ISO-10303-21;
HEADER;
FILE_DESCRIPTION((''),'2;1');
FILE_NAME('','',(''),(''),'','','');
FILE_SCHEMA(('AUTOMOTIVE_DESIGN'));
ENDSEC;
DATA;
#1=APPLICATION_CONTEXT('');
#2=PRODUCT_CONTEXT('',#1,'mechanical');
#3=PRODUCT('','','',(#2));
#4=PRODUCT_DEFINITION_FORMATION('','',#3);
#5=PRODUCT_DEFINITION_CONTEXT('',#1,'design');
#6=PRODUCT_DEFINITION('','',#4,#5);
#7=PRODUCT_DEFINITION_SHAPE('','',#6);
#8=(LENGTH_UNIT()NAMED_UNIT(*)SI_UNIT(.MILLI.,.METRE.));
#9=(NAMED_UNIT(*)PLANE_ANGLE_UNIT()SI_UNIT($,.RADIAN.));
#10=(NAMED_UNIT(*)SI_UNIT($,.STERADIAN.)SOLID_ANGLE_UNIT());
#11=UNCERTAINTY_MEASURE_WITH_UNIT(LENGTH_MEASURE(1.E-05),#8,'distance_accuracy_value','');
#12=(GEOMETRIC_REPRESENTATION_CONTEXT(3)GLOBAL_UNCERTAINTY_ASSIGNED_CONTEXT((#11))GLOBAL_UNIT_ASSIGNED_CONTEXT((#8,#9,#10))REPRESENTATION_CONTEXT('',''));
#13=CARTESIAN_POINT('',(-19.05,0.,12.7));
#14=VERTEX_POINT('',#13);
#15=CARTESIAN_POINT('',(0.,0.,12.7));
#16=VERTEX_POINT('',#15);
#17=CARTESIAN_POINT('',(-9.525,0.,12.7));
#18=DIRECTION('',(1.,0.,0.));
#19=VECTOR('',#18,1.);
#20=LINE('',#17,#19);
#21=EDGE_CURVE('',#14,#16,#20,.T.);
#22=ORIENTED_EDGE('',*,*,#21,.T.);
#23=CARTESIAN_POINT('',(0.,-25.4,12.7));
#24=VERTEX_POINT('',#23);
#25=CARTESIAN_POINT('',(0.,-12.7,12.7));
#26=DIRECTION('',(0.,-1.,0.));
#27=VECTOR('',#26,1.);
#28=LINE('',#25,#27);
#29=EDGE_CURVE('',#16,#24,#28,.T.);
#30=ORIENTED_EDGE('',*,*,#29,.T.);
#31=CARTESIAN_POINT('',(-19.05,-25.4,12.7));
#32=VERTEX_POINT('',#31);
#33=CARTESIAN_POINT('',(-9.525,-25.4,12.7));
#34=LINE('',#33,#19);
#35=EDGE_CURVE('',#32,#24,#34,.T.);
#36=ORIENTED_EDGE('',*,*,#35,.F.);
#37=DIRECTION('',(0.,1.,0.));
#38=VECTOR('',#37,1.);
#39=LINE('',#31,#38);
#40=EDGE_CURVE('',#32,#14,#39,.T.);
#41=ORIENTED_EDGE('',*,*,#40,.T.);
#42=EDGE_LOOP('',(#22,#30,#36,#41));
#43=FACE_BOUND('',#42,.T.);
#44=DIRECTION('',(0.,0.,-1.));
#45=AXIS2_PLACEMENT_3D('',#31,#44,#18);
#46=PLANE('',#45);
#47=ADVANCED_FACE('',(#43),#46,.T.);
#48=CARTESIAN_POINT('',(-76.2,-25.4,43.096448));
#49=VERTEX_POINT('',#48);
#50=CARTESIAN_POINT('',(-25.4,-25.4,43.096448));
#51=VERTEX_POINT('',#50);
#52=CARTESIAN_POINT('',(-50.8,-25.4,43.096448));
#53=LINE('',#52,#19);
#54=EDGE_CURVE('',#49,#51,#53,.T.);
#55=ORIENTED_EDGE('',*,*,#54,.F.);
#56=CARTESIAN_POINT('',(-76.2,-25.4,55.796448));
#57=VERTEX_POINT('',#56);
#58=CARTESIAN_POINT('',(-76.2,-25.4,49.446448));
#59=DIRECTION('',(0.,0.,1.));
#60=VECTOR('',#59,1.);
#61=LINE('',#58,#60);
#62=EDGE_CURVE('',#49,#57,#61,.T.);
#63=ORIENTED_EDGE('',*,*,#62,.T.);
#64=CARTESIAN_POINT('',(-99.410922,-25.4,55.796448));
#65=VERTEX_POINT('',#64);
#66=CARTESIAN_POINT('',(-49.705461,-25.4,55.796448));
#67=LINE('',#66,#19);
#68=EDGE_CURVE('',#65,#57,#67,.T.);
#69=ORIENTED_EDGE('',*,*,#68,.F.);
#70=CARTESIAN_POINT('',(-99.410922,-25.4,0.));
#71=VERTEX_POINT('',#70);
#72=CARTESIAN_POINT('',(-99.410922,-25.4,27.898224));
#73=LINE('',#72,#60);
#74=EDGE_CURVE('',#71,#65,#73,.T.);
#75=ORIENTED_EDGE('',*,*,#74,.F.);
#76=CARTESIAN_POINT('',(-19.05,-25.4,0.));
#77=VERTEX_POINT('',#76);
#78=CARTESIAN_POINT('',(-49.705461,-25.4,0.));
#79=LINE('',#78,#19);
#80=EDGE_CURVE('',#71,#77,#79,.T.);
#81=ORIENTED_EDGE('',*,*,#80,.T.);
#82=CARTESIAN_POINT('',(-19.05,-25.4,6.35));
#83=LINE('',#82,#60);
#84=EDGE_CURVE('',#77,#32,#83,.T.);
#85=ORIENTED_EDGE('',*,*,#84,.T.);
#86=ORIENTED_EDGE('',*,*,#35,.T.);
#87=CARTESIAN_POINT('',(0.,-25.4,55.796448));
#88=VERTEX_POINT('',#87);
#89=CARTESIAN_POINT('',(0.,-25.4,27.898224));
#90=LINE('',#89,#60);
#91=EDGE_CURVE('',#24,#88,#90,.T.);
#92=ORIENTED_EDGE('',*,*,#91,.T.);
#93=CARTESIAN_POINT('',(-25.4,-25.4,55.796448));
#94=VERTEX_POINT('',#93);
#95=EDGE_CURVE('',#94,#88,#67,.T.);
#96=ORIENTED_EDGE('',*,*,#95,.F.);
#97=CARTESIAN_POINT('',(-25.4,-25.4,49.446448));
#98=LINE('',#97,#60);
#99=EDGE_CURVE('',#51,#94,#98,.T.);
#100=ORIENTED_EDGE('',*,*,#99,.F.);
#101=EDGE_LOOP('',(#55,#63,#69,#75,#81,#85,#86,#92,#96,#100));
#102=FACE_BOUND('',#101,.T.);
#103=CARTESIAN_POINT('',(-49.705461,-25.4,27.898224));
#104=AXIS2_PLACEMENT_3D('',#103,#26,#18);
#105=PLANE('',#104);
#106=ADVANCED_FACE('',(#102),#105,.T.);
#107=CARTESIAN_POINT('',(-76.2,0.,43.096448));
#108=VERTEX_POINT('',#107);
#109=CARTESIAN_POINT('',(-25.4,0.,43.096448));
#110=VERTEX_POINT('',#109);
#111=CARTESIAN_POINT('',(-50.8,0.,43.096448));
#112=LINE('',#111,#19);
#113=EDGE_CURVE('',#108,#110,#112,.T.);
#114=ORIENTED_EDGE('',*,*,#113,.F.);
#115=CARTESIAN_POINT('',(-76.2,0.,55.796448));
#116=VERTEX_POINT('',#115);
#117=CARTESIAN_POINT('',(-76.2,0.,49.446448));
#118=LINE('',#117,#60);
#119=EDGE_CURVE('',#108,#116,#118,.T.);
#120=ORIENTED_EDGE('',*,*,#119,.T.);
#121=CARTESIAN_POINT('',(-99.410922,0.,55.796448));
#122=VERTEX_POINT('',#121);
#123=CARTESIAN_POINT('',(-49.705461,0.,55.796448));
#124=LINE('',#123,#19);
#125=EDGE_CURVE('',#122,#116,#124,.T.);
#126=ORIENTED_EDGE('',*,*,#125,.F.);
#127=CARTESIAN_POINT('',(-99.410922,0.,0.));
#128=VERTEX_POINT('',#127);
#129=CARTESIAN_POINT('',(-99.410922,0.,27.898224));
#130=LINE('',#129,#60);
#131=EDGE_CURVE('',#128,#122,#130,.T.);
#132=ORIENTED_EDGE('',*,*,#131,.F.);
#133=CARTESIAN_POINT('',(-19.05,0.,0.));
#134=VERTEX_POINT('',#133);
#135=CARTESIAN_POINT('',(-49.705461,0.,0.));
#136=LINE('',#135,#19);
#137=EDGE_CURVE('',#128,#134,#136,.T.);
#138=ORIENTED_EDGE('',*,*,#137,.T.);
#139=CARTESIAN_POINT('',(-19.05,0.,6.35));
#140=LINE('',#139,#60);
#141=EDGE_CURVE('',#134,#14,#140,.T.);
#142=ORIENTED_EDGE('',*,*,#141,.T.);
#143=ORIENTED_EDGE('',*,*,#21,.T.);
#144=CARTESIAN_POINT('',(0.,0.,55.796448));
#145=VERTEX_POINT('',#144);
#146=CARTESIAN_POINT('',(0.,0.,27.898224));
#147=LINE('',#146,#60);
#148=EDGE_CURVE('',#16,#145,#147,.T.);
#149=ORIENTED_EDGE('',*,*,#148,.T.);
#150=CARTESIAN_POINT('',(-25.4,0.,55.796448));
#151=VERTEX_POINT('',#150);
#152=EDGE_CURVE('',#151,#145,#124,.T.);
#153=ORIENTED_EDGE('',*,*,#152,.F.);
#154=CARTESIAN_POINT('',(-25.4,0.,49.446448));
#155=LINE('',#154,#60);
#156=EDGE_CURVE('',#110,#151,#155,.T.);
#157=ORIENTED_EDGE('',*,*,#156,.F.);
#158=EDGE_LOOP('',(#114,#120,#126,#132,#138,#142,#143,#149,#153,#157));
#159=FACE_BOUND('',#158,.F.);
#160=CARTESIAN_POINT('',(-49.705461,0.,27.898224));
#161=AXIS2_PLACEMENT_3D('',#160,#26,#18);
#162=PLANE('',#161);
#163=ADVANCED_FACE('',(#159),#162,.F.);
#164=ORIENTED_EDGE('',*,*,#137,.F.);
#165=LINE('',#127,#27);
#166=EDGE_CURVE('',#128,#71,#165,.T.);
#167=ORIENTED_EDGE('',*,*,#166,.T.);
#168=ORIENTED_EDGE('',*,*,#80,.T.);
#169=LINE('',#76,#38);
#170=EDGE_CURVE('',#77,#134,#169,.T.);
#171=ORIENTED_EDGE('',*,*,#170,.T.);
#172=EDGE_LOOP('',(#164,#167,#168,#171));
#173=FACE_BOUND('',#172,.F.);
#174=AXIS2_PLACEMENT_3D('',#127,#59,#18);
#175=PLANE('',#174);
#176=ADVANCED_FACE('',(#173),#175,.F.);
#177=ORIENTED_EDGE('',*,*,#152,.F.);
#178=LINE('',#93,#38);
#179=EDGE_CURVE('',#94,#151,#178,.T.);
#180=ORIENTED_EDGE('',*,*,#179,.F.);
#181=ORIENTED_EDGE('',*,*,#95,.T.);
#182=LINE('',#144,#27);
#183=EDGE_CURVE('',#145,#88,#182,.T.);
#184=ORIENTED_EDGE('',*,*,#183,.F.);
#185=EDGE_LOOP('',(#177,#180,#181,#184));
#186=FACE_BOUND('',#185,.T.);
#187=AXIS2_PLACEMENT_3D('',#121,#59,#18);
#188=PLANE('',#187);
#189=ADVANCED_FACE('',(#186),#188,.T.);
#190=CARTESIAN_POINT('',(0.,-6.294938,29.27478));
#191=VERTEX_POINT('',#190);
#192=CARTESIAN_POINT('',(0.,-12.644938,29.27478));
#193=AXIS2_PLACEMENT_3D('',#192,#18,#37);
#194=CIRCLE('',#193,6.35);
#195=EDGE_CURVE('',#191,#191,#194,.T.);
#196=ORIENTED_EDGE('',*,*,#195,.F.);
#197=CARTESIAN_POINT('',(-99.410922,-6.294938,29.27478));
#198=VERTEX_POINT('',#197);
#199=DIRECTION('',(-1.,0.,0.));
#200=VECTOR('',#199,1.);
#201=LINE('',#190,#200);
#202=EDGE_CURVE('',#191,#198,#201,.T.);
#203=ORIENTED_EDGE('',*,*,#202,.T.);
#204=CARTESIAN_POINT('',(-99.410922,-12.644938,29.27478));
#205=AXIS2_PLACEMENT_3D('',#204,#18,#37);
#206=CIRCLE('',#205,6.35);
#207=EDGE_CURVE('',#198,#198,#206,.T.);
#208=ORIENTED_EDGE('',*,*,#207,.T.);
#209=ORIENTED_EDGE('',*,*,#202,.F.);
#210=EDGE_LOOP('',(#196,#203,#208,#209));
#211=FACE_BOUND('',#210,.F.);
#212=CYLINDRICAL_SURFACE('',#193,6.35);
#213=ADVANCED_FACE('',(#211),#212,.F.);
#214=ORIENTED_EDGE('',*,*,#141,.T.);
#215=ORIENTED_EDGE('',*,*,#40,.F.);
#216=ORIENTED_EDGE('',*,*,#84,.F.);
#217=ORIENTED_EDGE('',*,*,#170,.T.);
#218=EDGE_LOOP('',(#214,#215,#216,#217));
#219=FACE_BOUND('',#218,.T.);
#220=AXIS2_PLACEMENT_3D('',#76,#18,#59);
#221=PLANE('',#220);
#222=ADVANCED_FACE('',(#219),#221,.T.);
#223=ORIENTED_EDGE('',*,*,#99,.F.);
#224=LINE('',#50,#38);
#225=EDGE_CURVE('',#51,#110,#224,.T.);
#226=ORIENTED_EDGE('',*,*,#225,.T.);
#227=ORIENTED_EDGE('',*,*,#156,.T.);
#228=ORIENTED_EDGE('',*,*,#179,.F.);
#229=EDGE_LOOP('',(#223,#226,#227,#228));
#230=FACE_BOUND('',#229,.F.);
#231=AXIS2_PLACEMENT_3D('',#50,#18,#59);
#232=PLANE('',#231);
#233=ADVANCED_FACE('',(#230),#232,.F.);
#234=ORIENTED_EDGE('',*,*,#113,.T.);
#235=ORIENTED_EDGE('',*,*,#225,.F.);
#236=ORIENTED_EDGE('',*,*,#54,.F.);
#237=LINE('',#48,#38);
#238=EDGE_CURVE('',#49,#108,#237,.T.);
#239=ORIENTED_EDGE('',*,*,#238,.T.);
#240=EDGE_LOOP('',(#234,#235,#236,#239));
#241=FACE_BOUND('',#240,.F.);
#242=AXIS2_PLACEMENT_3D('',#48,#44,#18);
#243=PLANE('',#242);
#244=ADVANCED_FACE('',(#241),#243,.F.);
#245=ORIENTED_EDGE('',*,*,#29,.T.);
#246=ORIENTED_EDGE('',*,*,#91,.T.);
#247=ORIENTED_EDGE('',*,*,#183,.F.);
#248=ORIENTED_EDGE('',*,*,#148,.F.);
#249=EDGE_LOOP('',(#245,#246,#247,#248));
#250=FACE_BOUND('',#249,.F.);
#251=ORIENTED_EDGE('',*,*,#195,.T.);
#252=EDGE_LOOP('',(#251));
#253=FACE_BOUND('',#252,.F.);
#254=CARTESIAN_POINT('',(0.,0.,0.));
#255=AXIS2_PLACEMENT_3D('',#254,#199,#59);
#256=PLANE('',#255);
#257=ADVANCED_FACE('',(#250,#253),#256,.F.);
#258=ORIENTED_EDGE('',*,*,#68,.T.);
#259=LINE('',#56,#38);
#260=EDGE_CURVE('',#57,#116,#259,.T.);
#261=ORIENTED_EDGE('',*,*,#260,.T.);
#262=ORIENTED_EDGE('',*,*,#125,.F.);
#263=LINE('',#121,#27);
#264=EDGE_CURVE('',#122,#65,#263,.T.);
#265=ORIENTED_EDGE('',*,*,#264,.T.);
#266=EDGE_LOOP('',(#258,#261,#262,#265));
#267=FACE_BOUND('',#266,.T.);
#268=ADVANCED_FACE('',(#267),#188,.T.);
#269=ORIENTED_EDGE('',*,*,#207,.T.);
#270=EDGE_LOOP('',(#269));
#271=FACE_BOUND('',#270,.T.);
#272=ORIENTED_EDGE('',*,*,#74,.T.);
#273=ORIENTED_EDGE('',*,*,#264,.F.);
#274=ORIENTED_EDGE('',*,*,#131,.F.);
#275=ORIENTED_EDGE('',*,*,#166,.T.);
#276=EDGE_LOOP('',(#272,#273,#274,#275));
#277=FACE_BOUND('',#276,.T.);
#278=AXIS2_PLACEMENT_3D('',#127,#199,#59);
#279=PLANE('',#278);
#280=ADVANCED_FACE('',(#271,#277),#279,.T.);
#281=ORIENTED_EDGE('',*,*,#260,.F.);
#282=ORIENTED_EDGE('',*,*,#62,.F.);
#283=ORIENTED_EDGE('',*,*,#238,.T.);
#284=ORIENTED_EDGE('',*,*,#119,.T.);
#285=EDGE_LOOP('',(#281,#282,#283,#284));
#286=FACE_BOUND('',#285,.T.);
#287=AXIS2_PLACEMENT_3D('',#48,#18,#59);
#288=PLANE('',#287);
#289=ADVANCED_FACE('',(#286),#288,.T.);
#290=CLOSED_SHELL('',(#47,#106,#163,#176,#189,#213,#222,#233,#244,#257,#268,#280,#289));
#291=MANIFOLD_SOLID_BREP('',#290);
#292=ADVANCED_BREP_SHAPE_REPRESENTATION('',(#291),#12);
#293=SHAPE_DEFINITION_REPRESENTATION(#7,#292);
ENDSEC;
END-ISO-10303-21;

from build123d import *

# Parameters (mm, degrees)
F0_W     = 99.410921
F0_H     = 55.796448
F1_DEPTH = 25.4
F2_W     = 50.8
F2_H     = 12.7
F3_DEPTH = 25.4
F4_W     = 19.05
F4_H     = 12.7
F5_DEPTH = 25.4
F7_R     = 6.35
F8_DEPTH = 101.6


with BuildPart() as f1:
    # F0 (on Front) → F1 (new body)
    with BuildSketch(Plane.XZ):
        with Locations((-49.705461, 27.898224)):
            Rectangle(F0_W, F0_H)
    extrude(amount=F1_DEPTH)

    # F2 (on face) → F3 (cut)
    with BuildSketch(Plane.XZ.offset(25.4)):
        with Locations((-50.8, 49.446448)):
            Rectangle(F2_W, F2_H)
    extrude(amount=-F3_DEPTH, mode=Mode.SUBTRACT)

    # F4 (on face) → F5 (cut)
    with BuildSketch(Plane.XZ.offset(25.4)):
        with Locations((-9.525, 6.35)):
            Rectangle(F4_W, F4_H)
    extrude(amount=-F5_DEPTH, mode=Mode.SUBTRACT)

    # F7 (on face) → F8 (cut)
    with BuildSketch(Plane.YZ):
        with Locations((-12.644938, 29.27478)):
            Circle(F7_R)
    extrude(amount=-F8_DEPTH, mode=Mode.SUBTRACT)


solid = f1.part
